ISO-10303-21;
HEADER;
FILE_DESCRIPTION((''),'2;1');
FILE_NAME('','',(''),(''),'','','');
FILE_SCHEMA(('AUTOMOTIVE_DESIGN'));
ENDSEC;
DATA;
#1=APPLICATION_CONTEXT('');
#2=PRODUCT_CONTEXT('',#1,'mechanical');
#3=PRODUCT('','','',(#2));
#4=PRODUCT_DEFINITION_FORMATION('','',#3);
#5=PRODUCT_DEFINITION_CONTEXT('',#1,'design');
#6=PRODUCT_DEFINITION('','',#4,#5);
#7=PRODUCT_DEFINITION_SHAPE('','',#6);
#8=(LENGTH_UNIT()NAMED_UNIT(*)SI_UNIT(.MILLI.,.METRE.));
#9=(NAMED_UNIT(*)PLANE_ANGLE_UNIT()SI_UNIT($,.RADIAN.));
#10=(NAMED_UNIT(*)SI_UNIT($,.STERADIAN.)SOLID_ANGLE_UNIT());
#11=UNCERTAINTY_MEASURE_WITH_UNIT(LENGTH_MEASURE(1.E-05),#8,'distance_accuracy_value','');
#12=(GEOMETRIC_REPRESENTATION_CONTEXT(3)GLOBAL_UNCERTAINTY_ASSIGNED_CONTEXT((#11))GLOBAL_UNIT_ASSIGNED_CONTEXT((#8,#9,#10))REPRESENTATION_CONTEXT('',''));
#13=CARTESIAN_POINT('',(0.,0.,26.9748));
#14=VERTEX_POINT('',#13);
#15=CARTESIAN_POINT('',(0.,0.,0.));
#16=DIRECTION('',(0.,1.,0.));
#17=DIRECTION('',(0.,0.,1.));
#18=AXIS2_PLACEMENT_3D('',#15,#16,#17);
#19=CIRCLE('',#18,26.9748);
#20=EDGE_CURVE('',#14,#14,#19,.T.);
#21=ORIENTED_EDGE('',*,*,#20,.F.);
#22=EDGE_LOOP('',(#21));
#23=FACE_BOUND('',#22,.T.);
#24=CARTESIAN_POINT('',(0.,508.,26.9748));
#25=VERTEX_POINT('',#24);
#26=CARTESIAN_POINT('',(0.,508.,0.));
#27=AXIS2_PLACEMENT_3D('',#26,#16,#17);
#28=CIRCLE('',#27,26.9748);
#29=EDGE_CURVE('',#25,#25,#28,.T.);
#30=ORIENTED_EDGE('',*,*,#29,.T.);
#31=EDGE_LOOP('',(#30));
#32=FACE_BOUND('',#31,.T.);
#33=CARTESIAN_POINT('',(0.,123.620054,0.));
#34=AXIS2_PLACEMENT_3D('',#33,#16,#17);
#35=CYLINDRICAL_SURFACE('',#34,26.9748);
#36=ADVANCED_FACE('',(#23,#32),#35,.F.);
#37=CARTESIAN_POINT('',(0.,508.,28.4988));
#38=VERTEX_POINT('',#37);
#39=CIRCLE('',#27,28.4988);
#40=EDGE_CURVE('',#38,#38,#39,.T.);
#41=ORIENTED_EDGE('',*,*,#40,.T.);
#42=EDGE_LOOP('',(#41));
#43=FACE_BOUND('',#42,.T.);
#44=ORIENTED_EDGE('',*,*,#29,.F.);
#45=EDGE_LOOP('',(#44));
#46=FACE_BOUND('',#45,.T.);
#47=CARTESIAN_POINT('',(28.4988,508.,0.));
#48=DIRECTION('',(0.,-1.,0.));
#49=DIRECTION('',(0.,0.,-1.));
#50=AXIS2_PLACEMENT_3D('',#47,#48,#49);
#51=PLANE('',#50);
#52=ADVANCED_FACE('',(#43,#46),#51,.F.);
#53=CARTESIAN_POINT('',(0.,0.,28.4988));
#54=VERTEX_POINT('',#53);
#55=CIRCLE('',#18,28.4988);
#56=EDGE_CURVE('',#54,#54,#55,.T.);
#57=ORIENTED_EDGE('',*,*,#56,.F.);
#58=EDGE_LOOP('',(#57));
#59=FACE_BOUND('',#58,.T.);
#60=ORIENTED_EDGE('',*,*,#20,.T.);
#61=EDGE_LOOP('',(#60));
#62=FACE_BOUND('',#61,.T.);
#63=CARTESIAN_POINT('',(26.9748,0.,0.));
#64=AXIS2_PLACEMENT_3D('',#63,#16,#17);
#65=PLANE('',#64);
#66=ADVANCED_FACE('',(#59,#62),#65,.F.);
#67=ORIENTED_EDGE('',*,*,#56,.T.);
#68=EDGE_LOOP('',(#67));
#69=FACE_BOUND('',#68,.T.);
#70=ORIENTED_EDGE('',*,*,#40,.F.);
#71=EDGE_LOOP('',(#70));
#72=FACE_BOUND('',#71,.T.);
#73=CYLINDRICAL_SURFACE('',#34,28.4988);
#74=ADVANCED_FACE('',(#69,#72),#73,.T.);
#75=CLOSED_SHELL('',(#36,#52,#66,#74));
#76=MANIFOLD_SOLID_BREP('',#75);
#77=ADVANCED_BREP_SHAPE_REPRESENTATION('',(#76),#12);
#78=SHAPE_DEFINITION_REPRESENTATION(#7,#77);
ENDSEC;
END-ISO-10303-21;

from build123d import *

# Parameters (mm, degrees)
SKETCH1_W = 1.524
SKETCH1_H = 508


with BuildPart() as part:
    # Sketch1 → Revolve1 (revolve)
    with BuildSketch(Plane.XY):
        with Locations((27.7368, 254)):
            Rectangle(SKETCH1_W, SKETCH1_H)
    revolve(axis=Axis((0, 123.620053705, 0), (0, -1, 0)))


solid = part.part
